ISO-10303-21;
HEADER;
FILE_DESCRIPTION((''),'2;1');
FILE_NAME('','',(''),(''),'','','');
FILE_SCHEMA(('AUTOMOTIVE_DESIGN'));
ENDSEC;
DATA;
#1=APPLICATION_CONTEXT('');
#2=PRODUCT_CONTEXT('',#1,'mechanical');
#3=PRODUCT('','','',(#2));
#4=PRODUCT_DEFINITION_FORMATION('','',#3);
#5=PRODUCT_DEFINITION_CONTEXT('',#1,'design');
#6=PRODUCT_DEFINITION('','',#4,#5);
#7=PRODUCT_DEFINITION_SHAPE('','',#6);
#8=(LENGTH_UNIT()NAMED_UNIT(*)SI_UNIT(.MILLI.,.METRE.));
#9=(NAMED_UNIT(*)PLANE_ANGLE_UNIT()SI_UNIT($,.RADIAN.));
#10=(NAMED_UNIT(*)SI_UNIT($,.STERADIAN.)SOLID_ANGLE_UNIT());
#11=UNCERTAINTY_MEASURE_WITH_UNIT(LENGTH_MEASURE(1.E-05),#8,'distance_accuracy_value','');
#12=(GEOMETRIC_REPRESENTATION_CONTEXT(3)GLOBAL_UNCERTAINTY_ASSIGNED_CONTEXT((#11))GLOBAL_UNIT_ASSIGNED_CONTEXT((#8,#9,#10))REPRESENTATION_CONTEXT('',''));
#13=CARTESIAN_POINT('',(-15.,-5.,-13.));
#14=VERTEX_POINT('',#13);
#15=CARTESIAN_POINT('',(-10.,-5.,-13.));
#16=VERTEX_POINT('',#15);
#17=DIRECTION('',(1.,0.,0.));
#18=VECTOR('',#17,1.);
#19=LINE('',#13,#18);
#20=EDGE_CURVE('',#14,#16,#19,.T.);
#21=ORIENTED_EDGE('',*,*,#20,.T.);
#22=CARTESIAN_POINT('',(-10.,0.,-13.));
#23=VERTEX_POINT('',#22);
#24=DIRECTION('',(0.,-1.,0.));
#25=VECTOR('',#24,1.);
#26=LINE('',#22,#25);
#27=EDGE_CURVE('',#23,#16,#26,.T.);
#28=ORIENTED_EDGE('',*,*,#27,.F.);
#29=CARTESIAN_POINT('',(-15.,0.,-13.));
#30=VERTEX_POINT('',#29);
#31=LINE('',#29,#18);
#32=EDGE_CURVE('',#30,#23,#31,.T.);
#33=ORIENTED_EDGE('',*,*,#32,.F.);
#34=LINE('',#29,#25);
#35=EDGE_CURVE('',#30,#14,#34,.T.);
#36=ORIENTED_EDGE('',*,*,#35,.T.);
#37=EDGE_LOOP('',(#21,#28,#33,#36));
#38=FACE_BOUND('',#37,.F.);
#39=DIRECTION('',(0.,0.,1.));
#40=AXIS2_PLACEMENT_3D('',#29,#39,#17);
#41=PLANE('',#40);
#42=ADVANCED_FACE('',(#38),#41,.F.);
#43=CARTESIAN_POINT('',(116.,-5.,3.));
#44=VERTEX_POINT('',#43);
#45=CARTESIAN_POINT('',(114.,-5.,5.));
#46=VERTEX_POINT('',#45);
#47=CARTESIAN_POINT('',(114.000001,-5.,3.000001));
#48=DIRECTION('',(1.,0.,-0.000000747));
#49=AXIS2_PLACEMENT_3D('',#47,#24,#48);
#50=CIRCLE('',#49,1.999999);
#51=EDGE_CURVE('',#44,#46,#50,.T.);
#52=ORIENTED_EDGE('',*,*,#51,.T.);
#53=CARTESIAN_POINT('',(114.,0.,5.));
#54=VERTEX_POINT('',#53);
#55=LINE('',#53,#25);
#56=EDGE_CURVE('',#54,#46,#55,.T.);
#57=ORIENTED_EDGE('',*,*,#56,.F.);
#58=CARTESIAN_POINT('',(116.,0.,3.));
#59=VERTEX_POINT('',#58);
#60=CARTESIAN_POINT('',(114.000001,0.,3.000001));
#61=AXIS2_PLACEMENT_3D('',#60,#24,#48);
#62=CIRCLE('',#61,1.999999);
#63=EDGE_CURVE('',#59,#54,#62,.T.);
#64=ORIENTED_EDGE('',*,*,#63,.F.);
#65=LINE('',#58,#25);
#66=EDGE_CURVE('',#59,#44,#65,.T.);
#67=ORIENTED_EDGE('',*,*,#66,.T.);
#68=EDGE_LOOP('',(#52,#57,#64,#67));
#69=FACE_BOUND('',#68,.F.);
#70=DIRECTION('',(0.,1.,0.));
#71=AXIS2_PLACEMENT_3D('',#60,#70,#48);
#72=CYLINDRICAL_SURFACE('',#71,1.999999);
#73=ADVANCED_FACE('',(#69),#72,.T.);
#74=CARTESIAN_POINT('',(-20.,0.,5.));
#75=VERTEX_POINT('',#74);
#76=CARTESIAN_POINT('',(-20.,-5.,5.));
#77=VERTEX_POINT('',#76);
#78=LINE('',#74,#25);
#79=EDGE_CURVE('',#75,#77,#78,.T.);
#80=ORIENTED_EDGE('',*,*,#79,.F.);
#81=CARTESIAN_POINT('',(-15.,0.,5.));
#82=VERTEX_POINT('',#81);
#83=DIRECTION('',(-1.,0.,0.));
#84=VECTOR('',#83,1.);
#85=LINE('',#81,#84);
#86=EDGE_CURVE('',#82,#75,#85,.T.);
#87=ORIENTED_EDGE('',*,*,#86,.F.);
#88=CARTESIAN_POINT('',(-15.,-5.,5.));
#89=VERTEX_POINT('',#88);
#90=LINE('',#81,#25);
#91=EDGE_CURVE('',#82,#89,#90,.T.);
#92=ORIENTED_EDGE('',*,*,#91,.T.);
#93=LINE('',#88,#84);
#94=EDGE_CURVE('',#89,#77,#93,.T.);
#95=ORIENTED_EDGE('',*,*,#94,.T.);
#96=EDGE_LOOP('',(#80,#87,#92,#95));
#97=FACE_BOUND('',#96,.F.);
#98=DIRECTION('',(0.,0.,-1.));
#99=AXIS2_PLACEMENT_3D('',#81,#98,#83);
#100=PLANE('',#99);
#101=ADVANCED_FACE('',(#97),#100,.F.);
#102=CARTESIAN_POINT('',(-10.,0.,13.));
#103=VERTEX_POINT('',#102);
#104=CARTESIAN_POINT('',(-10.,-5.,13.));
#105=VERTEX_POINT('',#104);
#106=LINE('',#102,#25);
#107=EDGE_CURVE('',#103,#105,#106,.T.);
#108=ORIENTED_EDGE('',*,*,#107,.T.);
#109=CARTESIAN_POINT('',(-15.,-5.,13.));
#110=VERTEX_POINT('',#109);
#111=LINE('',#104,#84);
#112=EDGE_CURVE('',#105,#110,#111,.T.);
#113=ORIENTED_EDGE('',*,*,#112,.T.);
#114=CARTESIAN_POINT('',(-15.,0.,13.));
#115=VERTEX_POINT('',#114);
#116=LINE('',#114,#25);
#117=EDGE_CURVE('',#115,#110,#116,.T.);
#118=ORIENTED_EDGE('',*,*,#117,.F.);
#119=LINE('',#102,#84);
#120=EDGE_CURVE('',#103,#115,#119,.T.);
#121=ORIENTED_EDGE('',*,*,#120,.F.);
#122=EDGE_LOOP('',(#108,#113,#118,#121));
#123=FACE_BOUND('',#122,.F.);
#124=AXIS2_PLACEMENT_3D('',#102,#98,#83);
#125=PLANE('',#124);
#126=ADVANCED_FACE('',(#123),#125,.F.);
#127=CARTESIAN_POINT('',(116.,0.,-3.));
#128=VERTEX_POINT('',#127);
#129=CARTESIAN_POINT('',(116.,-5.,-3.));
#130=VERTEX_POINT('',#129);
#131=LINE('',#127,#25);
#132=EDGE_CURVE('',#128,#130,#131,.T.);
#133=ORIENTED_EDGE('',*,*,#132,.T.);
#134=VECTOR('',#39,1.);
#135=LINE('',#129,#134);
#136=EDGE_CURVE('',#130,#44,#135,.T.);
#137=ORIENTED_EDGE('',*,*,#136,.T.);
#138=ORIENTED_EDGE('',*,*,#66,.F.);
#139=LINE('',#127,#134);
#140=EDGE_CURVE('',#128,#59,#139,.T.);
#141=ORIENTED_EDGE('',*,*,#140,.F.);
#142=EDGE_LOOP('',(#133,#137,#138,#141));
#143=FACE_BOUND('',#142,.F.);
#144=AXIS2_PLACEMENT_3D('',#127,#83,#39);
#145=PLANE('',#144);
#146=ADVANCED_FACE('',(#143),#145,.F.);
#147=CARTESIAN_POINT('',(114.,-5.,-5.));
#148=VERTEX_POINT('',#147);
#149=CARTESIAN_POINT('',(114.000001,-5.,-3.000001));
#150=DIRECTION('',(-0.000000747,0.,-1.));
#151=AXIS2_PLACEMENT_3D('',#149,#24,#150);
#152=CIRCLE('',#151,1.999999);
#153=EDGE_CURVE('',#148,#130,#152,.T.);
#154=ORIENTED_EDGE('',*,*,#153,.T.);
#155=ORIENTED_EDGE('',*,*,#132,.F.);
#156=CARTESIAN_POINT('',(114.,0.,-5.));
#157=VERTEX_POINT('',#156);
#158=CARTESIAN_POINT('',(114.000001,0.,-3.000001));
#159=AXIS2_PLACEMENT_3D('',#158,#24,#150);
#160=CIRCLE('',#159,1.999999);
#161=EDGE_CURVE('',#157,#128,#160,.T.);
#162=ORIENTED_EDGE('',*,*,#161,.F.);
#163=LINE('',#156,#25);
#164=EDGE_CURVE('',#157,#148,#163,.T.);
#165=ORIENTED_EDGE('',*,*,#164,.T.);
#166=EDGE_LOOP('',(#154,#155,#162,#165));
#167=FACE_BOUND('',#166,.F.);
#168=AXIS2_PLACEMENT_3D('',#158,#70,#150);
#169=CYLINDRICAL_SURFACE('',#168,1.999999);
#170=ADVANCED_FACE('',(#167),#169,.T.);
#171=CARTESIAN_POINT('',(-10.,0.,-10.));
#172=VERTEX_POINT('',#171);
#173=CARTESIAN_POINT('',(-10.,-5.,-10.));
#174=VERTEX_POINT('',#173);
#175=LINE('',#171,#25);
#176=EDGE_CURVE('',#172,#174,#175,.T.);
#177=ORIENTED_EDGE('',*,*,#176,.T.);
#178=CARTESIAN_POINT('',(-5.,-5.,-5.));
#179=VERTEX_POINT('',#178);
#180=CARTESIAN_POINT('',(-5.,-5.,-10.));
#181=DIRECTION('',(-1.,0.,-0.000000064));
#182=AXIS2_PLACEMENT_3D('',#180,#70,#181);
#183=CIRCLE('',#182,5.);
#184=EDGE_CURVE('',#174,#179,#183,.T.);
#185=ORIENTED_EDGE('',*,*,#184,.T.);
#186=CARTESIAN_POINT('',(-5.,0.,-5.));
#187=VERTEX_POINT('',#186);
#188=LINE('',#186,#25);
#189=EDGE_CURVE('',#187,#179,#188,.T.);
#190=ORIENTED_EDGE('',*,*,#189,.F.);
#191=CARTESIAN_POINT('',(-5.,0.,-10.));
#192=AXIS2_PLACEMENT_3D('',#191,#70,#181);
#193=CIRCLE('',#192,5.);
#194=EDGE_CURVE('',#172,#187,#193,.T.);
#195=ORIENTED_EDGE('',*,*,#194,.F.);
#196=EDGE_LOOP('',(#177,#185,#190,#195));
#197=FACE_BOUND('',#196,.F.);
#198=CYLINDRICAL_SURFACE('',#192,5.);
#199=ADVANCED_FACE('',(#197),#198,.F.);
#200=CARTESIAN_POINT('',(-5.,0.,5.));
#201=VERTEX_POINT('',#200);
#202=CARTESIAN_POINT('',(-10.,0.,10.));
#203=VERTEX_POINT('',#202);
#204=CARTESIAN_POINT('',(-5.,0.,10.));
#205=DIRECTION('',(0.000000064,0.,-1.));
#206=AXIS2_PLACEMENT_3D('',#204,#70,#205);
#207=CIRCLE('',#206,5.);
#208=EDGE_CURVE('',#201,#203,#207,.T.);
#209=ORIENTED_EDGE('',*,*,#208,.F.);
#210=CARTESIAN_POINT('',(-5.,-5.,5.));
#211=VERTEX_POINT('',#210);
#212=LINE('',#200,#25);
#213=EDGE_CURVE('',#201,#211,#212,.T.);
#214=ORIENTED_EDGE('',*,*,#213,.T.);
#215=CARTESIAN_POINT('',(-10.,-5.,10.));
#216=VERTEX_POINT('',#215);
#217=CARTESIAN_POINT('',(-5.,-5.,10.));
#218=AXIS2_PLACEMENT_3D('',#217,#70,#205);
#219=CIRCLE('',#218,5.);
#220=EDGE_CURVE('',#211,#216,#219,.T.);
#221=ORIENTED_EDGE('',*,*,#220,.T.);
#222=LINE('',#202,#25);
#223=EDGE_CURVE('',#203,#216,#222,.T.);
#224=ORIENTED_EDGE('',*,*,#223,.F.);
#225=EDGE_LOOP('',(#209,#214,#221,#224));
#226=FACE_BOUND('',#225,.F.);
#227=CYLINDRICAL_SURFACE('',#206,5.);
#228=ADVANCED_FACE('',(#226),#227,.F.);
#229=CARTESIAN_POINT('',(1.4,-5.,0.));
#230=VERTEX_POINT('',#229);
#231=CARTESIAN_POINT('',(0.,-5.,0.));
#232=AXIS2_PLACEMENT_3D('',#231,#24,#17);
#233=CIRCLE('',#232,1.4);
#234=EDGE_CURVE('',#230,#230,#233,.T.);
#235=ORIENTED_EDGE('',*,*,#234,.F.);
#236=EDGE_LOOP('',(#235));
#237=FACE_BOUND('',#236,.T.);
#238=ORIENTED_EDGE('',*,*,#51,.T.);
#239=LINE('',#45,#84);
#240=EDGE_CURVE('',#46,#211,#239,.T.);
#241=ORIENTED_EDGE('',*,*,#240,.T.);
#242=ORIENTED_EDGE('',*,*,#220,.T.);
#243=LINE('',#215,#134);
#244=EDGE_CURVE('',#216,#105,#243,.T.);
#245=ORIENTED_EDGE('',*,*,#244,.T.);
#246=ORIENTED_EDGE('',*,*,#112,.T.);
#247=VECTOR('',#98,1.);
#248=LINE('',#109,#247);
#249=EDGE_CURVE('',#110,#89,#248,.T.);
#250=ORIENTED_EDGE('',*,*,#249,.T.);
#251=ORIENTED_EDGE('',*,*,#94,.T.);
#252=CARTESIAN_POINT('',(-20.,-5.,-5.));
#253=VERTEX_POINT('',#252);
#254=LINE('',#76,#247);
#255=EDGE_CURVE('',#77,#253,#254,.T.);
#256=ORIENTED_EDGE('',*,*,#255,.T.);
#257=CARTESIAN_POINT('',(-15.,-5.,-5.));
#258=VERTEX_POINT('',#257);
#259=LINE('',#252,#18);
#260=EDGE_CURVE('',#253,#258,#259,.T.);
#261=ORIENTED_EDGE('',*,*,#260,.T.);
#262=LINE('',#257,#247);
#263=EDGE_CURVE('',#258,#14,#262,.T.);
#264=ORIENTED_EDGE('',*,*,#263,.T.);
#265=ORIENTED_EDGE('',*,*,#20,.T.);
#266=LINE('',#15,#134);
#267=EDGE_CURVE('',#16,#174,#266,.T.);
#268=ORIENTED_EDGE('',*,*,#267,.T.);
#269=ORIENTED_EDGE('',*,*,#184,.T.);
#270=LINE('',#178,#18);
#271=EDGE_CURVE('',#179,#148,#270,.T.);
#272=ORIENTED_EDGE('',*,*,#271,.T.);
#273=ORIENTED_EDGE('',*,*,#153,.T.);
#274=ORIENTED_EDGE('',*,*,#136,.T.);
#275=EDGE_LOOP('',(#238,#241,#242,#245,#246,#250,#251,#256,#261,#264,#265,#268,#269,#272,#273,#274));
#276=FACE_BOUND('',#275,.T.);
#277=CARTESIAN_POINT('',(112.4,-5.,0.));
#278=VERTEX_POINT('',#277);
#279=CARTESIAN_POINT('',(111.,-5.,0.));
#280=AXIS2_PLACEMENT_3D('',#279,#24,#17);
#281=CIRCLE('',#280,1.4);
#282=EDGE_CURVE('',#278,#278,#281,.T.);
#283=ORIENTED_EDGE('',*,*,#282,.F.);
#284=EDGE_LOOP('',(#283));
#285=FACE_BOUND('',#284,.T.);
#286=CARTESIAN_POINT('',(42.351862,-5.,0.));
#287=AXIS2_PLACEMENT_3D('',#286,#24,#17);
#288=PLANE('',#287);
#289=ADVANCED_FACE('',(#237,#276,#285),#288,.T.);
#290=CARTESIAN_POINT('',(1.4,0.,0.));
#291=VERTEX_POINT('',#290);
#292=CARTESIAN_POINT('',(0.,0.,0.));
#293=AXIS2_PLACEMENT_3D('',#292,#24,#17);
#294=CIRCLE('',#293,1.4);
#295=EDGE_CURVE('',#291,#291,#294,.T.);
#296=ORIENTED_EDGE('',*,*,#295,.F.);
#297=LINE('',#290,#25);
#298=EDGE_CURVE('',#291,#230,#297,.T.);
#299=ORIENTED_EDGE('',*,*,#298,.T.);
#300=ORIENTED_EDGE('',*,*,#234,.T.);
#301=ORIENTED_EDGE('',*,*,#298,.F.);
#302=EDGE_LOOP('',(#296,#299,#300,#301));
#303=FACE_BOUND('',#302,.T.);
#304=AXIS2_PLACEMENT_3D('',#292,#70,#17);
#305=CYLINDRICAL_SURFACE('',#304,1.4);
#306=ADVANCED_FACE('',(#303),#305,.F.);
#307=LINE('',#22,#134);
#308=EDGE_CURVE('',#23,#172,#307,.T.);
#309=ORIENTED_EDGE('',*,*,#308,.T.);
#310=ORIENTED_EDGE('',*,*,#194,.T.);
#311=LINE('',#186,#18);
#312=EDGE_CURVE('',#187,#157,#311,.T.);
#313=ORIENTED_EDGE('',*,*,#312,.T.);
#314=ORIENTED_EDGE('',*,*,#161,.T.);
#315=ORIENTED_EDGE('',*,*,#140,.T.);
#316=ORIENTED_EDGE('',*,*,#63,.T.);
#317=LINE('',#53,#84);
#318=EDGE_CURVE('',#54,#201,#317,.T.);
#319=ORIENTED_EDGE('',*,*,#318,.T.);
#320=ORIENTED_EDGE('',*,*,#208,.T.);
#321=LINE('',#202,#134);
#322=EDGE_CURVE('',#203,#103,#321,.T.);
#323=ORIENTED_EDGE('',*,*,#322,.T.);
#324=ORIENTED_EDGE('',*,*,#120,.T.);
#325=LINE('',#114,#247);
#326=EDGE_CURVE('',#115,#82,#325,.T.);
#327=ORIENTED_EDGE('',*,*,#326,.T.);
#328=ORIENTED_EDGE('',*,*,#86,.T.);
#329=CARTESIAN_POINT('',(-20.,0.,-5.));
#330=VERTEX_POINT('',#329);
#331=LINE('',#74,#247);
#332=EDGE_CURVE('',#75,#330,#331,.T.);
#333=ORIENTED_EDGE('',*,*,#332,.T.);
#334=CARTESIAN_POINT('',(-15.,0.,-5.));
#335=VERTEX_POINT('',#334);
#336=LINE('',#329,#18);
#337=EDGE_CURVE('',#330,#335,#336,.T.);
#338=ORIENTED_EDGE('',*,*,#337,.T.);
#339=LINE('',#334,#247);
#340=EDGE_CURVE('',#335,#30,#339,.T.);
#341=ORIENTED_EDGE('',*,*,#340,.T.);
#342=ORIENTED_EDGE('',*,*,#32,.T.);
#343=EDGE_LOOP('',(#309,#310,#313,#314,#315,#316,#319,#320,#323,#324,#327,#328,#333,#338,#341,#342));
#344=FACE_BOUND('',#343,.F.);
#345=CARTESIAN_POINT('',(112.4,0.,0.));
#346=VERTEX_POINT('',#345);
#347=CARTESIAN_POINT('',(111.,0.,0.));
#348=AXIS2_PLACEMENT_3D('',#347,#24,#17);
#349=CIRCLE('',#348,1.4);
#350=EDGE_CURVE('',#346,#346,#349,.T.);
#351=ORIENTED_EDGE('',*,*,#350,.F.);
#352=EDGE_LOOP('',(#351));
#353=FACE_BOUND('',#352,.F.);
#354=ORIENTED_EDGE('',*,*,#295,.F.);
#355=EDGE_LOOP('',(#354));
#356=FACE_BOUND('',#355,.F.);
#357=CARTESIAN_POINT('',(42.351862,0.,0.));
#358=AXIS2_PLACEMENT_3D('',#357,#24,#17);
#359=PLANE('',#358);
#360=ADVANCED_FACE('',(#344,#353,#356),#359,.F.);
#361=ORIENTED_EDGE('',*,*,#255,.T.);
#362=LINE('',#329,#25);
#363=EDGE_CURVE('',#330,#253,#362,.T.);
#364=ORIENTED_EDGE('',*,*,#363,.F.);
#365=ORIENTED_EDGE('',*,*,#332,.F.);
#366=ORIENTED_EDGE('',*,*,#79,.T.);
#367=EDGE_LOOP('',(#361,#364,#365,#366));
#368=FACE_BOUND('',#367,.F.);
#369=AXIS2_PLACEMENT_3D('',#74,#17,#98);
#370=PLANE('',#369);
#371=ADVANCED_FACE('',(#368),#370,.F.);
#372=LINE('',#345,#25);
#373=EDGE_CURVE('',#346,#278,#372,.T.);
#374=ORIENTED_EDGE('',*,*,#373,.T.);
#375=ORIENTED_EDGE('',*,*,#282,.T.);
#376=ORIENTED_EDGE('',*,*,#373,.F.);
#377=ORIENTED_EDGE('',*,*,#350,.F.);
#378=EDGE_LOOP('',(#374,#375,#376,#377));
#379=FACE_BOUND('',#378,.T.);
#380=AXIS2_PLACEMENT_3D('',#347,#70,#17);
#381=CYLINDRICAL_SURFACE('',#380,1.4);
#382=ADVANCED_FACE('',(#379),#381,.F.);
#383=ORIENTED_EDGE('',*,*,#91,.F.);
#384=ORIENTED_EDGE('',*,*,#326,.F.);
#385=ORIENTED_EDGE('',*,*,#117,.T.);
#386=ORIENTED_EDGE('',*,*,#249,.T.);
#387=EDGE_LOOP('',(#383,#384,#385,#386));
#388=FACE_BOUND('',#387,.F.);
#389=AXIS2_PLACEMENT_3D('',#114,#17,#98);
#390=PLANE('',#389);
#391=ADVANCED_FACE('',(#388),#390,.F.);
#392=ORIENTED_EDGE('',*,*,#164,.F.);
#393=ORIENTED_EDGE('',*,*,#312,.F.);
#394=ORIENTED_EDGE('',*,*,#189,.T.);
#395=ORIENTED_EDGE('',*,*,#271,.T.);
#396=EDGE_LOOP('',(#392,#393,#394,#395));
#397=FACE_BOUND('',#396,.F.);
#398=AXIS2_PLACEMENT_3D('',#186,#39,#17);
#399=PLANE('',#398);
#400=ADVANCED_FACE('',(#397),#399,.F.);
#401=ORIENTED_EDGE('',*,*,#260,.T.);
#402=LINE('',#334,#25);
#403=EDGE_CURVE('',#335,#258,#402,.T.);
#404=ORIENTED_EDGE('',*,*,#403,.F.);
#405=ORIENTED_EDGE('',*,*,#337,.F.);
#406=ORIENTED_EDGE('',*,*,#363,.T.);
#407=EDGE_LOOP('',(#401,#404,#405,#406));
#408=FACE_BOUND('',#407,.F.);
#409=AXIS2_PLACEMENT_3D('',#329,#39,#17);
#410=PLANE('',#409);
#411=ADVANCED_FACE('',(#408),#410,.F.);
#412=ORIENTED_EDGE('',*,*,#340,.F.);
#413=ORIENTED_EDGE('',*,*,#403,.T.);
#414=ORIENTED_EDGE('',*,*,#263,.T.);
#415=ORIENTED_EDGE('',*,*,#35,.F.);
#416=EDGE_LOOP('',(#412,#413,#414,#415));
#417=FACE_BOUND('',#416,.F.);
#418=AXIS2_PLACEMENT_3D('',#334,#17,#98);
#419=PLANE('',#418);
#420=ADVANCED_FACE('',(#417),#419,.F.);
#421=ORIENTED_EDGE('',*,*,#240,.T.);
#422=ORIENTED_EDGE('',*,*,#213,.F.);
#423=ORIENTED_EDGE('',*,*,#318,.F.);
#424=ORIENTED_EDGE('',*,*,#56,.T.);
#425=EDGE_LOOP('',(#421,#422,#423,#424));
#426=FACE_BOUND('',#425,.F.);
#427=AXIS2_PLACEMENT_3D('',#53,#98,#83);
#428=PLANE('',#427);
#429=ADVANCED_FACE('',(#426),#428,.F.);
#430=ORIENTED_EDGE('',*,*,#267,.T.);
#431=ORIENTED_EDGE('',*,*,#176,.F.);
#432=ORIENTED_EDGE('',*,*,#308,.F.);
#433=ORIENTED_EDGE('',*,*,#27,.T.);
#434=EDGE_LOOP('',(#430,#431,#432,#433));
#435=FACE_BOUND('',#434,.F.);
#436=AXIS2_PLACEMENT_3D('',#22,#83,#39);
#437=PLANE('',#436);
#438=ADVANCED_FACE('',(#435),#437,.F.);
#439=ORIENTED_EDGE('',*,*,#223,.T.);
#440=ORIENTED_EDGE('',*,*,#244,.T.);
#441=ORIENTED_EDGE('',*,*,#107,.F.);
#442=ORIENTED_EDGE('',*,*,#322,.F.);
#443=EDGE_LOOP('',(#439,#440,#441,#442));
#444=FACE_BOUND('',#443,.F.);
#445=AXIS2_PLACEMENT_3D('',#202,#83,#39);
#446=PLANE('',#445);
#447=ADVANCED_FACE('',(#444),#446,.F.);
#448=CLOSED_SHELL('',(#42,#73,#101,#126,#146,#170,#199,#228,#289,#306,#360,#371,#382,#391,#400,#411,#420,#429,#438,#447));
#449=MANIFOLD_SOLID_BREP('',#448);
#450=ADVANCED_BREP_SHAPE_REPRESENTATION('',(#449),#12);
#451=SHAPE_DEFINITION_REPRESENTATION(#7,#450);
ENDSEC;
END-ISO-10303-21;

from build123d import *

# Parameters (mm, degrees)
F0_R     = 1.4
F1_DEPTH = 5


with BuildPart() as f1:
    # F0 (on Front) → F1 (new body)
    with BuildSketch(Plane.XZ):
        with BuildLine():
            ThreePointArc((-10, -10), (-8.535534, -6.464466), (-5, -5))
            Line((-5, -5), (114, -5))
            ThreePointArc((114, -5), (115.414214, -4.414214), (116, -3))
            Line((116, -3), (116, 3))
            ThreePointArc((116, 3), (115.414214, 4.414214), (114, 5))
            Line((114, 5), (-5, 5))
            ThreePointArc((-5, 5), (-8.535534, 6.464466), (-10, 10))
            Line((-10, 10), (-10, 13))
            Line((-10, 13), (-15, 13))
            Line((-15, 13), (-15, 5))
            Line((-15, 5), (-20, 5))
            Line((-20, 5), (-20, -5))
            Line((-20, -5), (-15, -5))
            Line((-15, -5), (-15, -13))
            Line((-15, -13), (-10, -13))
            Line((-10, -13), (-10, -10))
        make_face()
        Circle(F0_R, mode=Mode.SUBTRACT)
        with Locations((111, 0)):
            Circle(F0_R, mode=Mode.SUBTRACT)
    extrude(amount=F1_DEPTH)


solid = f1.part
